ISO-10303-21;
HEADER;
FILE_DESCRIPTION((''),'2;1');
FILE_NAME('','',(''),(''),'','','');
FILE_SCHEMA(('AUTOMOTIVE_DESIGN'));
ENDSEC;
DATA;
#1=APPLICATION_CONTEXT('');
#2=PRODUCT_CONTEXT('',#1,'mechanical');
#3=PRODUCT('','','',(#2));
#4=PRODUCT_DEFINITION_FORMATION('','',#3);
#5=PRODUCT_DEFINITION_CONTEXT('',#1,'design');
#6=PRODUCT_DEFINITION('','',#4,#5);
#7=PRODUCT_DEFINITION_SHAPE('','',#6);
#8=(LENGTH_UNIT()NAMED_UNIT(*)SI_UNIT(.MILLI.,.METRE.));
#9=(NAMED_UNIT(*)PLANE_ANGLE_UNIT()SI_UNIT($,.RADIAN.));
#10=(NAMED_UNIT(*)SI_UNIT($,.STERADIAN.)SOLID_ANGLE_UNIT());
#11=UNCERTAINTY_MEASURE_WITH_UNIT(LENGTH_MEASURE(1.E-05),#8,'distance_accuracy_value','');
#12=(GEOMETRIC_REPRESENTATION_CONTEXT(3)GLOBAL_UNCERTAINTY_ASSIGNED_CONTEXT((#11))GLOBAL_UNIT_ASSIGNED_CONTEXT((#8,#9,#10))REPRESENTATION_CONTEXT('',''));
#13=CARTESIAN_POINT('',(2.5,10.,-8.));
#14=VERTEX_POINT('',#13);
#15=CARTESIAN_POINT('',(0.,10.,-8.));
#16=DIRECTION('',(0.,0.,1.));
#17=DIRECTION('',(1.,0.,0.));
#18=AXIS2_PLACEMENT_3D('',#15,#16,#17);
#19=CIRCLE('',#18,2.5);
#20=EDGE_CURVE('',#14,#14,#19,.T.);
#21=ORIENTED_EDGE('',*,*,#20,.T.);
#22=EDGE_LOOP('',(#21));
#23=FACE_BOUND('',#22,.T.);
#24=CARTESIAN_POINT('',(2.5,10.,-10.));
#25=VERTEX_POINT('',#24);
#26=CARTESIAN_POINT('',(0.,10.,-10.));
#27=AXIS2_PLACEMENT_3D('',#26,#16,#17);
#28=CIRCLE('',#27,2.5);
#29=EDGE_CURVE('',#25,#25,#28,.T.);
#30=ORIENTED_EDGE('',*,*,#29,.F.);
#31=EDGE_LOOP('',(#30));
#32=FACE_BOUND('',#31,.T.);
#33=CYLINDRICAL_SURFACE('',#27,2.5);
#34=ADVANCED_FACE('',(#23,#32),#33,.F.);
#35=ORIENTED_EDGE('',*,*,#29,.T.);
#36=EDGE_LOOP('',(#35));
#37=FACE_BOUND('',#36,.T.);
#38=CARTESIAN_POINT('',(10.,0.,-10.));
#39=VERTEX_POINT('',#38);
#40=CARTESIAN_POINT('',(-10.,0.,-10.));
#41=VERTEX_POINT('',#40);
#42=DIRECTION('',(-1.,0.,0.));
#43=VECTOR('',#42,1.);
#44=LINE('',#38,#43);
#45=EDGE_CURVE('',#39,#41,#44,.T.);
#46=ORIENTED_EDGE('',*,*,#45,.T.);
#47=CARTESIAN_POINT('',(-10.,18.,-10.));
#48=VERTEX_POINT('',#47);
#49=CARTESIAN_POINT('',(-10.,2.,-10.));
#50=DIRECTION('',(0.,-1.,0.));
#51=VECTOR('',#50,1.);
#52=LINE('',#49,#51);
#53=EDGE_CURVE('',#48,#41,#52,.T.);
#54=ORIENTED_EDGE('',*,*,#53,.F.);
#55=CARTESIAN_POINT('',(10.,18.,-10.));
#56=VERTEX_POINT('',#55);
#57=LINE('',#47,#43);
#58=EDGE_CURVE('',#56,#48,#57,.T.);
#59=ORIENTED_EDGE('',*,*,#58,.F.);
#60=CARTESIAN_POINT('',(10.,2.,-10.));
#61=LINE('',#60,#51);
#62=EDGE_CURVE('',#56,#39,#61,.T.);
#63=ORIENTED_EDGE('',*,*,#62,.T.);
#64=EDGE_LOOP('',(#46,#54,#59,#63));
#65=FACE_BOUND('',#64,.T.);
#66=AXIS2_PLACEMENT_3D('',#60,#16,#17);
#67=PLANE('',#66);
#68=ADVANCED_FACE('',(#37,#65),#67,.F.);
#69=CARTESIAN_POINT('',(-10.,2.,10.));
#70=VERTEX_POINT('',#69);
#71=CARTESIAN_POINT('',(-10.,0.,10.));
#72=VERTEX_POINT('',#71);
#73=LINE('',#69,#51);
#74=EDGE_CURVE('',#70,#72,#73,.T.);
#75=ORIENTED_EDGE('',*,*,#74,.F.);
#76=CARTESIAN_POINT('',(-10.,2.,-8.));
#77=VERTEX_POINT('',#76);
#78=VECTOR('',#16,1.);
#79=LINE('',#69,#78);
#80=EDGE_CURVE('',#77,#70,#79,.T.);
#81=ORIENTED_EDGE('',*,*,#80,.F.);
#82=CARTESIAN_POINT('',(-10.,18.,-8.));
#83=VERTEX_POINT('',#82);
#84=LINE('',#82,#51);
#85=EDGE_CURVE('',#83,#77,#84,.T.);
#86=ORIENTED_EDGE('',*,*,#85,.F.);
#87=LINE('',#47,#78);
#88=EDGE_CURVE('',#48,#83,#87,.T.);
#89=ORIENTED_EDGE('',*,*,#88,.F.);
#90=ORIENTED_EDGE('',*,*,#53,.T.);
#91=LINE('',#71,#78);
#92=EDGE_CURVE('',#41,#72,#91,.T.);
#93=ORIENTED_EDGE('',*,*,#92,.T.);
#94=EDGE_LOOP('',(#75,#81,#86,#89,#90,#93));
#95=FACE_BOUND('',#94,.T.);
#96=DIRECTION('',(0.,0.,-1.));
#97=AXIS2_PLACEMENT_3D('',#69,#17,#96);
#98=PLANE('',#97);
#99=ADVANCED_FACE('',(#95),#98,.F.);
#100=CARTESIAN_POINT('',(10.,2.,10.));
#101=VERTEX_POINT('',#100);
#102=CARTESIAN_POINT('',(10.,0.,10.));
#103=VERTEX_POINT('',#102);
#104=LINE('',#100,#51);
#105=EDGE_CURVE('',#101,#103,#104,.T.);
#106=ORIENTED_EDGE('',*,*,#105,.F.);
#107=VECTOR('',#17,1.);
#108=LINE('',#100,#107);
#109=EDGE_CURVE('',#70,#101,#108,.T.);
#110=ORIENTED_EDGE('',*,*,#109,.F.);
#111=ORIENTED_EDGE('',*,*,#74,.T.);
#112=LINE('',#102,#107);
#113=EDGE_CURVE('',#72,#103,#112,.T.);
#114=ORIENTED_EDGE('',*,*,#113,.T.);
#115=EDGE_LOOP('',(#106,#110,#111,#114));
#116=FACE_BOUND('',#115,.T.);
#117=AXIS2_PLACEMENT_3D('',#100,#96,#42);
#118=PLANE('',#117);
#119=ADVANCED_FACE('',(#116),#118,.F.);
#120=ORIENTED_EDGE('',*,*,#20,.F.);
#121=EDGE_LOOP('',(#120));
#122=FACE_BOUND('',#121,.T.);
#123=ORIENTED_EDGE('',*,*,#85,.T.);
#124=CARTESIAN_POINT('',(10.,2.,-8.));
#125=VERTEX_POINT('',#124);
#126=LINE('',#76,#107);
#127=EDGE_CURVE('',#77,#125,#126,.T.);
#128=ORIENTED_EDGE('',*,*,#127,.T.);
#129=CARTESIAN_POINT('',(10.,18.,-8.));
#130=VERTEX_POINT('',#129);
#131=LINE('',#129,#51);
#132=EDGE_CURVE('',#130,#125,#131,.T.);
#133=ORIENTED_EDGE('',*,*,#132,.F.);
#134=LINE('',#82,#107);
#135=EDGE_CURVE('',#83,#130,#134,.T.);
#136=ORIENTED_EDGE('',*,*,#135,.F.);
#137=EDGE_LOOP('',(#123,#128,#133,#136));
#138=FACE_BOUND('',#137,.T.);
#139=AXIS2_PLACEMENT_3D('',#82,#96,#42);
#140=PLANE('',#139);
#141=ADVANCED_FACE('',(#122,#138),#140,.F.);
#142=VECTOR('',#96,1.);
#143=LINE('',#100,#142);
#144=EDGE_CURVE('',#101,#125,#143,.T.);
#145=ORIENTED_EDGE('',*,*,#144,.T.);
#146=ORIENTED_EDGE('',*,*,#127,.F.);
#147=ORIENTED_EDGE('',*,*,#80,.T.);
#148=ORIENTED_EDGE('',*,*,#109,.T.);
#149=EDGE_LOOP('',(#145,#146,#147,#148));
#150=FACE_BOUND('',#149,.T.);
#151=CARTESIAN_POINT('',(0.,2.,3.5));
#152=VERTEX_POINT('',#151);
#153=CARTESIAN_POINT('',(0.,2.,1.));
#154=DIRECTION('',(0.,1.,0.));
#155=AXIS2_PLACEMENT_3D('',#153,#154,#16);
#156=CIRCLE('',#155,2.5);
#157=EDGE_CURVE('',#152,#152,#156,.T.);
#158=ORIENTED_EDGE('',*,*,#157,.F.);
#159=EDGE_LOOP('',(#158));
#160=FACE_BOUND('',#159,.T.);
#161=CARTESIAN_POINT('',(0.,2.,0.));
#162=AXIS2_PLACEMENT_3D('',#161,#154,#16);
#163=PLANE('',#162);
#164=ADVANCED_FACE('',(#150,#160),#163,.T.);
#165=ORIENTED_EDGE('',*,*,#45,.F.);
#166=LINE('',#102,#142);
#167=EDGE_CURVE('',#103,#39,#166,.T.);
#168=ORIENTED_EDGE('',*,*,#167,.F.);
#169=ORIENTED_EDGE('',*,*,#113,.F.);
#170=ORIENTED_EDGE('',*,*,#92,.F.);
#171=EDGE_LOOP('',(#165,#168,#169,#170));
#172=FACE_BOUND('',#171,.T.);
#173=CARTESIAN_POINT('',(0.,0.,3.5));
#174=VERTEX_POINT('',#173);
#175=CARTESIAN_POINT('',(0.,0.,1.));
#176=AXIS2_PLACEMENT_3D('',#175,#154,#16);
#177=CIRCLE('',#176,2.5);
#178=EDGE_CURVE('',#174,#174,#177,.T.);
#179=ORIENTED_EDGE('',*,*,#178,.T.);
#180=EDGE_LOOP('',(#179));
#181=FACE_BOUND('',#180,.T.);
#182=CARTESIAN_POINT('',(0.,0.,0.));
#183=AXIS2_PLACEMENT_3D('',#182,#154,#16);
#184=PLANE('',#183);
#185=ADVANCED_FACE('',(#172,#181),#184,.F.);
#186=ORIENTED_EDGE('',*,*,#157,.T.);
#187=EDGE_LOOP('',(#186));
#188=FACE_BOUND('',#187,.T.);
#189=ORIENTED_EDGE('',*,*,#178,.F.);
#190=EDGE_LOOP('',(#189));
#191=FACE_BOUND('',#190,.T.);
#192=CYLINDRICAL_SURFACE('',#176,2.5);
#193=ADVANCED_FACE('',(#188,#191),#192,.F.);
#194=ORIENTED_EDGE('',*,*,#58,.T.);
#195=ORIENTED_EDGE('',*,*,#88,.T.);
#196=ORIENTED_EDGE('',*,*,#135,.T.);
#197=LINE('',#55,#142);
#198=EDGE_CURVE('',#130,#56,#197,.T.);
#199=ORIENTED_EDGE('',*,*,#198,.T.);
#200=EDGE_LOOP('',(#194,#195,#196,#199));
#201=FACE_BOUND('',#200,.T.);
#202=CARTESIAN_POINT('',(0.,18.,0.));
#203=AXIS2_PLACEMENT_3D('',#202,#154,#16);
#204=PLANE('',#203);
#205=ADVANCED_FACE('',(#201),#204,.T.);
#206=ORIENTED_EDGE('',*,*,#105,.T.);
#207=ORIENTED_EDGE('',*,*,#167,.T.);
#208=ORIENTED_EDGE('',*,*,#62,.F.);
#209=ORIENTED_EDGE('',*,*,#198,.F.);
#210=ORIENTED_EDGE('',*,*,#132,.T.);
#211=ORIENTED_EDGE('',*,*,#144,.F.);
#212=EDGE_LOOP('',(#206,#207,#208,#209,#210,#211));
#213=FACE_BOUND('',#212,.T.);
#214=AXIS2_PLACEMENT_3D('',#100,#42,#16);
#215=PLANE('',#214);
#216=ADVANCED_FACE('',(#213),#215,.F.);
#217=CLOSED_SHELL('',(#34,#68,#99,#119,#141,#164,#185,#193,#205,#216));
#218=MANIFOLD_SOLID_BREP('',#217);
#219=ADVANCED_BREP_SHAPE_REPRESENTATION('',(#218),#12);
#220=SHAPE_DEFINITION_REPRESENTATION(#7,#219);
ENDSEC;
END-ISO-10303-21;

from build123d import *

# Parameters (mm, degrees)
SKETCH1_W           = 20
SKETCH1_H           = 20
BOSS_EXTRUDE1_DEPTH = 2
SKETCH2_W           = 20
SKETCH2_H           = 2
BOSS_EXTRUDE2_DEPTH = 16
SKETCH3_R           = 2.5
CUT_EXTRUDE1_DEPTH  = 22.354156504
SKETCH4_R           = 2.5
CUT_EXTRUDE2_DEPTH  = 28.349588662


with BuildPart() as part:
    # Sketch1 → Boss-Extrude1 (new body)
    with BuildSketch(Plane(origin=(0, 0, 0), x_dir=(1, 0, 0), z_dir=(0, 1, 0))):
        Rectangle(SKETCH1_W, SKETCH1_H)
    extrude(amount=BOSS_EXTRUDE1_DEPTH)

    # Sketch2 → Boss-Extrude2 (add)
    with BuildSketch(Plane(origin=(0, 2, 0), x_dir=(1, 0, 0), z_dir=(0, 1, 0))):
        with Locations((0, 9)):
            Rectangle(SKETCH2_W, SKETCH2_H)
    extrude(amount=BOSS_EXTRUDE2_DEPTH)

    # Sketch3 → Cut-Extrude1 (cut, through all)
    with BuildSketch(Plane(origin=(0, 2, 0), x_dir=(1, 0, 0), z_dir=(0, 1, 0))):
        with Locations(Location((0, -1, 0), (0, 0, 270))):
            Circle(SKETCH3_R)
    extrude(amount=-CUT_EXTRUDE1_DEPTH, mode=Mode.SUBTRACT)

    # Sketch4 → Cut-Extrude2 (cut, through all)
    with BuildSketch(Plane.XY.offset(-8)):
        with Locations((0, 10)):
            Circle(SKETCH4_R)
    extrude(amount=-CUT_EXTRUDE2_DEPTH, mode=Mode.SUBTRACT)


solid = part.part
